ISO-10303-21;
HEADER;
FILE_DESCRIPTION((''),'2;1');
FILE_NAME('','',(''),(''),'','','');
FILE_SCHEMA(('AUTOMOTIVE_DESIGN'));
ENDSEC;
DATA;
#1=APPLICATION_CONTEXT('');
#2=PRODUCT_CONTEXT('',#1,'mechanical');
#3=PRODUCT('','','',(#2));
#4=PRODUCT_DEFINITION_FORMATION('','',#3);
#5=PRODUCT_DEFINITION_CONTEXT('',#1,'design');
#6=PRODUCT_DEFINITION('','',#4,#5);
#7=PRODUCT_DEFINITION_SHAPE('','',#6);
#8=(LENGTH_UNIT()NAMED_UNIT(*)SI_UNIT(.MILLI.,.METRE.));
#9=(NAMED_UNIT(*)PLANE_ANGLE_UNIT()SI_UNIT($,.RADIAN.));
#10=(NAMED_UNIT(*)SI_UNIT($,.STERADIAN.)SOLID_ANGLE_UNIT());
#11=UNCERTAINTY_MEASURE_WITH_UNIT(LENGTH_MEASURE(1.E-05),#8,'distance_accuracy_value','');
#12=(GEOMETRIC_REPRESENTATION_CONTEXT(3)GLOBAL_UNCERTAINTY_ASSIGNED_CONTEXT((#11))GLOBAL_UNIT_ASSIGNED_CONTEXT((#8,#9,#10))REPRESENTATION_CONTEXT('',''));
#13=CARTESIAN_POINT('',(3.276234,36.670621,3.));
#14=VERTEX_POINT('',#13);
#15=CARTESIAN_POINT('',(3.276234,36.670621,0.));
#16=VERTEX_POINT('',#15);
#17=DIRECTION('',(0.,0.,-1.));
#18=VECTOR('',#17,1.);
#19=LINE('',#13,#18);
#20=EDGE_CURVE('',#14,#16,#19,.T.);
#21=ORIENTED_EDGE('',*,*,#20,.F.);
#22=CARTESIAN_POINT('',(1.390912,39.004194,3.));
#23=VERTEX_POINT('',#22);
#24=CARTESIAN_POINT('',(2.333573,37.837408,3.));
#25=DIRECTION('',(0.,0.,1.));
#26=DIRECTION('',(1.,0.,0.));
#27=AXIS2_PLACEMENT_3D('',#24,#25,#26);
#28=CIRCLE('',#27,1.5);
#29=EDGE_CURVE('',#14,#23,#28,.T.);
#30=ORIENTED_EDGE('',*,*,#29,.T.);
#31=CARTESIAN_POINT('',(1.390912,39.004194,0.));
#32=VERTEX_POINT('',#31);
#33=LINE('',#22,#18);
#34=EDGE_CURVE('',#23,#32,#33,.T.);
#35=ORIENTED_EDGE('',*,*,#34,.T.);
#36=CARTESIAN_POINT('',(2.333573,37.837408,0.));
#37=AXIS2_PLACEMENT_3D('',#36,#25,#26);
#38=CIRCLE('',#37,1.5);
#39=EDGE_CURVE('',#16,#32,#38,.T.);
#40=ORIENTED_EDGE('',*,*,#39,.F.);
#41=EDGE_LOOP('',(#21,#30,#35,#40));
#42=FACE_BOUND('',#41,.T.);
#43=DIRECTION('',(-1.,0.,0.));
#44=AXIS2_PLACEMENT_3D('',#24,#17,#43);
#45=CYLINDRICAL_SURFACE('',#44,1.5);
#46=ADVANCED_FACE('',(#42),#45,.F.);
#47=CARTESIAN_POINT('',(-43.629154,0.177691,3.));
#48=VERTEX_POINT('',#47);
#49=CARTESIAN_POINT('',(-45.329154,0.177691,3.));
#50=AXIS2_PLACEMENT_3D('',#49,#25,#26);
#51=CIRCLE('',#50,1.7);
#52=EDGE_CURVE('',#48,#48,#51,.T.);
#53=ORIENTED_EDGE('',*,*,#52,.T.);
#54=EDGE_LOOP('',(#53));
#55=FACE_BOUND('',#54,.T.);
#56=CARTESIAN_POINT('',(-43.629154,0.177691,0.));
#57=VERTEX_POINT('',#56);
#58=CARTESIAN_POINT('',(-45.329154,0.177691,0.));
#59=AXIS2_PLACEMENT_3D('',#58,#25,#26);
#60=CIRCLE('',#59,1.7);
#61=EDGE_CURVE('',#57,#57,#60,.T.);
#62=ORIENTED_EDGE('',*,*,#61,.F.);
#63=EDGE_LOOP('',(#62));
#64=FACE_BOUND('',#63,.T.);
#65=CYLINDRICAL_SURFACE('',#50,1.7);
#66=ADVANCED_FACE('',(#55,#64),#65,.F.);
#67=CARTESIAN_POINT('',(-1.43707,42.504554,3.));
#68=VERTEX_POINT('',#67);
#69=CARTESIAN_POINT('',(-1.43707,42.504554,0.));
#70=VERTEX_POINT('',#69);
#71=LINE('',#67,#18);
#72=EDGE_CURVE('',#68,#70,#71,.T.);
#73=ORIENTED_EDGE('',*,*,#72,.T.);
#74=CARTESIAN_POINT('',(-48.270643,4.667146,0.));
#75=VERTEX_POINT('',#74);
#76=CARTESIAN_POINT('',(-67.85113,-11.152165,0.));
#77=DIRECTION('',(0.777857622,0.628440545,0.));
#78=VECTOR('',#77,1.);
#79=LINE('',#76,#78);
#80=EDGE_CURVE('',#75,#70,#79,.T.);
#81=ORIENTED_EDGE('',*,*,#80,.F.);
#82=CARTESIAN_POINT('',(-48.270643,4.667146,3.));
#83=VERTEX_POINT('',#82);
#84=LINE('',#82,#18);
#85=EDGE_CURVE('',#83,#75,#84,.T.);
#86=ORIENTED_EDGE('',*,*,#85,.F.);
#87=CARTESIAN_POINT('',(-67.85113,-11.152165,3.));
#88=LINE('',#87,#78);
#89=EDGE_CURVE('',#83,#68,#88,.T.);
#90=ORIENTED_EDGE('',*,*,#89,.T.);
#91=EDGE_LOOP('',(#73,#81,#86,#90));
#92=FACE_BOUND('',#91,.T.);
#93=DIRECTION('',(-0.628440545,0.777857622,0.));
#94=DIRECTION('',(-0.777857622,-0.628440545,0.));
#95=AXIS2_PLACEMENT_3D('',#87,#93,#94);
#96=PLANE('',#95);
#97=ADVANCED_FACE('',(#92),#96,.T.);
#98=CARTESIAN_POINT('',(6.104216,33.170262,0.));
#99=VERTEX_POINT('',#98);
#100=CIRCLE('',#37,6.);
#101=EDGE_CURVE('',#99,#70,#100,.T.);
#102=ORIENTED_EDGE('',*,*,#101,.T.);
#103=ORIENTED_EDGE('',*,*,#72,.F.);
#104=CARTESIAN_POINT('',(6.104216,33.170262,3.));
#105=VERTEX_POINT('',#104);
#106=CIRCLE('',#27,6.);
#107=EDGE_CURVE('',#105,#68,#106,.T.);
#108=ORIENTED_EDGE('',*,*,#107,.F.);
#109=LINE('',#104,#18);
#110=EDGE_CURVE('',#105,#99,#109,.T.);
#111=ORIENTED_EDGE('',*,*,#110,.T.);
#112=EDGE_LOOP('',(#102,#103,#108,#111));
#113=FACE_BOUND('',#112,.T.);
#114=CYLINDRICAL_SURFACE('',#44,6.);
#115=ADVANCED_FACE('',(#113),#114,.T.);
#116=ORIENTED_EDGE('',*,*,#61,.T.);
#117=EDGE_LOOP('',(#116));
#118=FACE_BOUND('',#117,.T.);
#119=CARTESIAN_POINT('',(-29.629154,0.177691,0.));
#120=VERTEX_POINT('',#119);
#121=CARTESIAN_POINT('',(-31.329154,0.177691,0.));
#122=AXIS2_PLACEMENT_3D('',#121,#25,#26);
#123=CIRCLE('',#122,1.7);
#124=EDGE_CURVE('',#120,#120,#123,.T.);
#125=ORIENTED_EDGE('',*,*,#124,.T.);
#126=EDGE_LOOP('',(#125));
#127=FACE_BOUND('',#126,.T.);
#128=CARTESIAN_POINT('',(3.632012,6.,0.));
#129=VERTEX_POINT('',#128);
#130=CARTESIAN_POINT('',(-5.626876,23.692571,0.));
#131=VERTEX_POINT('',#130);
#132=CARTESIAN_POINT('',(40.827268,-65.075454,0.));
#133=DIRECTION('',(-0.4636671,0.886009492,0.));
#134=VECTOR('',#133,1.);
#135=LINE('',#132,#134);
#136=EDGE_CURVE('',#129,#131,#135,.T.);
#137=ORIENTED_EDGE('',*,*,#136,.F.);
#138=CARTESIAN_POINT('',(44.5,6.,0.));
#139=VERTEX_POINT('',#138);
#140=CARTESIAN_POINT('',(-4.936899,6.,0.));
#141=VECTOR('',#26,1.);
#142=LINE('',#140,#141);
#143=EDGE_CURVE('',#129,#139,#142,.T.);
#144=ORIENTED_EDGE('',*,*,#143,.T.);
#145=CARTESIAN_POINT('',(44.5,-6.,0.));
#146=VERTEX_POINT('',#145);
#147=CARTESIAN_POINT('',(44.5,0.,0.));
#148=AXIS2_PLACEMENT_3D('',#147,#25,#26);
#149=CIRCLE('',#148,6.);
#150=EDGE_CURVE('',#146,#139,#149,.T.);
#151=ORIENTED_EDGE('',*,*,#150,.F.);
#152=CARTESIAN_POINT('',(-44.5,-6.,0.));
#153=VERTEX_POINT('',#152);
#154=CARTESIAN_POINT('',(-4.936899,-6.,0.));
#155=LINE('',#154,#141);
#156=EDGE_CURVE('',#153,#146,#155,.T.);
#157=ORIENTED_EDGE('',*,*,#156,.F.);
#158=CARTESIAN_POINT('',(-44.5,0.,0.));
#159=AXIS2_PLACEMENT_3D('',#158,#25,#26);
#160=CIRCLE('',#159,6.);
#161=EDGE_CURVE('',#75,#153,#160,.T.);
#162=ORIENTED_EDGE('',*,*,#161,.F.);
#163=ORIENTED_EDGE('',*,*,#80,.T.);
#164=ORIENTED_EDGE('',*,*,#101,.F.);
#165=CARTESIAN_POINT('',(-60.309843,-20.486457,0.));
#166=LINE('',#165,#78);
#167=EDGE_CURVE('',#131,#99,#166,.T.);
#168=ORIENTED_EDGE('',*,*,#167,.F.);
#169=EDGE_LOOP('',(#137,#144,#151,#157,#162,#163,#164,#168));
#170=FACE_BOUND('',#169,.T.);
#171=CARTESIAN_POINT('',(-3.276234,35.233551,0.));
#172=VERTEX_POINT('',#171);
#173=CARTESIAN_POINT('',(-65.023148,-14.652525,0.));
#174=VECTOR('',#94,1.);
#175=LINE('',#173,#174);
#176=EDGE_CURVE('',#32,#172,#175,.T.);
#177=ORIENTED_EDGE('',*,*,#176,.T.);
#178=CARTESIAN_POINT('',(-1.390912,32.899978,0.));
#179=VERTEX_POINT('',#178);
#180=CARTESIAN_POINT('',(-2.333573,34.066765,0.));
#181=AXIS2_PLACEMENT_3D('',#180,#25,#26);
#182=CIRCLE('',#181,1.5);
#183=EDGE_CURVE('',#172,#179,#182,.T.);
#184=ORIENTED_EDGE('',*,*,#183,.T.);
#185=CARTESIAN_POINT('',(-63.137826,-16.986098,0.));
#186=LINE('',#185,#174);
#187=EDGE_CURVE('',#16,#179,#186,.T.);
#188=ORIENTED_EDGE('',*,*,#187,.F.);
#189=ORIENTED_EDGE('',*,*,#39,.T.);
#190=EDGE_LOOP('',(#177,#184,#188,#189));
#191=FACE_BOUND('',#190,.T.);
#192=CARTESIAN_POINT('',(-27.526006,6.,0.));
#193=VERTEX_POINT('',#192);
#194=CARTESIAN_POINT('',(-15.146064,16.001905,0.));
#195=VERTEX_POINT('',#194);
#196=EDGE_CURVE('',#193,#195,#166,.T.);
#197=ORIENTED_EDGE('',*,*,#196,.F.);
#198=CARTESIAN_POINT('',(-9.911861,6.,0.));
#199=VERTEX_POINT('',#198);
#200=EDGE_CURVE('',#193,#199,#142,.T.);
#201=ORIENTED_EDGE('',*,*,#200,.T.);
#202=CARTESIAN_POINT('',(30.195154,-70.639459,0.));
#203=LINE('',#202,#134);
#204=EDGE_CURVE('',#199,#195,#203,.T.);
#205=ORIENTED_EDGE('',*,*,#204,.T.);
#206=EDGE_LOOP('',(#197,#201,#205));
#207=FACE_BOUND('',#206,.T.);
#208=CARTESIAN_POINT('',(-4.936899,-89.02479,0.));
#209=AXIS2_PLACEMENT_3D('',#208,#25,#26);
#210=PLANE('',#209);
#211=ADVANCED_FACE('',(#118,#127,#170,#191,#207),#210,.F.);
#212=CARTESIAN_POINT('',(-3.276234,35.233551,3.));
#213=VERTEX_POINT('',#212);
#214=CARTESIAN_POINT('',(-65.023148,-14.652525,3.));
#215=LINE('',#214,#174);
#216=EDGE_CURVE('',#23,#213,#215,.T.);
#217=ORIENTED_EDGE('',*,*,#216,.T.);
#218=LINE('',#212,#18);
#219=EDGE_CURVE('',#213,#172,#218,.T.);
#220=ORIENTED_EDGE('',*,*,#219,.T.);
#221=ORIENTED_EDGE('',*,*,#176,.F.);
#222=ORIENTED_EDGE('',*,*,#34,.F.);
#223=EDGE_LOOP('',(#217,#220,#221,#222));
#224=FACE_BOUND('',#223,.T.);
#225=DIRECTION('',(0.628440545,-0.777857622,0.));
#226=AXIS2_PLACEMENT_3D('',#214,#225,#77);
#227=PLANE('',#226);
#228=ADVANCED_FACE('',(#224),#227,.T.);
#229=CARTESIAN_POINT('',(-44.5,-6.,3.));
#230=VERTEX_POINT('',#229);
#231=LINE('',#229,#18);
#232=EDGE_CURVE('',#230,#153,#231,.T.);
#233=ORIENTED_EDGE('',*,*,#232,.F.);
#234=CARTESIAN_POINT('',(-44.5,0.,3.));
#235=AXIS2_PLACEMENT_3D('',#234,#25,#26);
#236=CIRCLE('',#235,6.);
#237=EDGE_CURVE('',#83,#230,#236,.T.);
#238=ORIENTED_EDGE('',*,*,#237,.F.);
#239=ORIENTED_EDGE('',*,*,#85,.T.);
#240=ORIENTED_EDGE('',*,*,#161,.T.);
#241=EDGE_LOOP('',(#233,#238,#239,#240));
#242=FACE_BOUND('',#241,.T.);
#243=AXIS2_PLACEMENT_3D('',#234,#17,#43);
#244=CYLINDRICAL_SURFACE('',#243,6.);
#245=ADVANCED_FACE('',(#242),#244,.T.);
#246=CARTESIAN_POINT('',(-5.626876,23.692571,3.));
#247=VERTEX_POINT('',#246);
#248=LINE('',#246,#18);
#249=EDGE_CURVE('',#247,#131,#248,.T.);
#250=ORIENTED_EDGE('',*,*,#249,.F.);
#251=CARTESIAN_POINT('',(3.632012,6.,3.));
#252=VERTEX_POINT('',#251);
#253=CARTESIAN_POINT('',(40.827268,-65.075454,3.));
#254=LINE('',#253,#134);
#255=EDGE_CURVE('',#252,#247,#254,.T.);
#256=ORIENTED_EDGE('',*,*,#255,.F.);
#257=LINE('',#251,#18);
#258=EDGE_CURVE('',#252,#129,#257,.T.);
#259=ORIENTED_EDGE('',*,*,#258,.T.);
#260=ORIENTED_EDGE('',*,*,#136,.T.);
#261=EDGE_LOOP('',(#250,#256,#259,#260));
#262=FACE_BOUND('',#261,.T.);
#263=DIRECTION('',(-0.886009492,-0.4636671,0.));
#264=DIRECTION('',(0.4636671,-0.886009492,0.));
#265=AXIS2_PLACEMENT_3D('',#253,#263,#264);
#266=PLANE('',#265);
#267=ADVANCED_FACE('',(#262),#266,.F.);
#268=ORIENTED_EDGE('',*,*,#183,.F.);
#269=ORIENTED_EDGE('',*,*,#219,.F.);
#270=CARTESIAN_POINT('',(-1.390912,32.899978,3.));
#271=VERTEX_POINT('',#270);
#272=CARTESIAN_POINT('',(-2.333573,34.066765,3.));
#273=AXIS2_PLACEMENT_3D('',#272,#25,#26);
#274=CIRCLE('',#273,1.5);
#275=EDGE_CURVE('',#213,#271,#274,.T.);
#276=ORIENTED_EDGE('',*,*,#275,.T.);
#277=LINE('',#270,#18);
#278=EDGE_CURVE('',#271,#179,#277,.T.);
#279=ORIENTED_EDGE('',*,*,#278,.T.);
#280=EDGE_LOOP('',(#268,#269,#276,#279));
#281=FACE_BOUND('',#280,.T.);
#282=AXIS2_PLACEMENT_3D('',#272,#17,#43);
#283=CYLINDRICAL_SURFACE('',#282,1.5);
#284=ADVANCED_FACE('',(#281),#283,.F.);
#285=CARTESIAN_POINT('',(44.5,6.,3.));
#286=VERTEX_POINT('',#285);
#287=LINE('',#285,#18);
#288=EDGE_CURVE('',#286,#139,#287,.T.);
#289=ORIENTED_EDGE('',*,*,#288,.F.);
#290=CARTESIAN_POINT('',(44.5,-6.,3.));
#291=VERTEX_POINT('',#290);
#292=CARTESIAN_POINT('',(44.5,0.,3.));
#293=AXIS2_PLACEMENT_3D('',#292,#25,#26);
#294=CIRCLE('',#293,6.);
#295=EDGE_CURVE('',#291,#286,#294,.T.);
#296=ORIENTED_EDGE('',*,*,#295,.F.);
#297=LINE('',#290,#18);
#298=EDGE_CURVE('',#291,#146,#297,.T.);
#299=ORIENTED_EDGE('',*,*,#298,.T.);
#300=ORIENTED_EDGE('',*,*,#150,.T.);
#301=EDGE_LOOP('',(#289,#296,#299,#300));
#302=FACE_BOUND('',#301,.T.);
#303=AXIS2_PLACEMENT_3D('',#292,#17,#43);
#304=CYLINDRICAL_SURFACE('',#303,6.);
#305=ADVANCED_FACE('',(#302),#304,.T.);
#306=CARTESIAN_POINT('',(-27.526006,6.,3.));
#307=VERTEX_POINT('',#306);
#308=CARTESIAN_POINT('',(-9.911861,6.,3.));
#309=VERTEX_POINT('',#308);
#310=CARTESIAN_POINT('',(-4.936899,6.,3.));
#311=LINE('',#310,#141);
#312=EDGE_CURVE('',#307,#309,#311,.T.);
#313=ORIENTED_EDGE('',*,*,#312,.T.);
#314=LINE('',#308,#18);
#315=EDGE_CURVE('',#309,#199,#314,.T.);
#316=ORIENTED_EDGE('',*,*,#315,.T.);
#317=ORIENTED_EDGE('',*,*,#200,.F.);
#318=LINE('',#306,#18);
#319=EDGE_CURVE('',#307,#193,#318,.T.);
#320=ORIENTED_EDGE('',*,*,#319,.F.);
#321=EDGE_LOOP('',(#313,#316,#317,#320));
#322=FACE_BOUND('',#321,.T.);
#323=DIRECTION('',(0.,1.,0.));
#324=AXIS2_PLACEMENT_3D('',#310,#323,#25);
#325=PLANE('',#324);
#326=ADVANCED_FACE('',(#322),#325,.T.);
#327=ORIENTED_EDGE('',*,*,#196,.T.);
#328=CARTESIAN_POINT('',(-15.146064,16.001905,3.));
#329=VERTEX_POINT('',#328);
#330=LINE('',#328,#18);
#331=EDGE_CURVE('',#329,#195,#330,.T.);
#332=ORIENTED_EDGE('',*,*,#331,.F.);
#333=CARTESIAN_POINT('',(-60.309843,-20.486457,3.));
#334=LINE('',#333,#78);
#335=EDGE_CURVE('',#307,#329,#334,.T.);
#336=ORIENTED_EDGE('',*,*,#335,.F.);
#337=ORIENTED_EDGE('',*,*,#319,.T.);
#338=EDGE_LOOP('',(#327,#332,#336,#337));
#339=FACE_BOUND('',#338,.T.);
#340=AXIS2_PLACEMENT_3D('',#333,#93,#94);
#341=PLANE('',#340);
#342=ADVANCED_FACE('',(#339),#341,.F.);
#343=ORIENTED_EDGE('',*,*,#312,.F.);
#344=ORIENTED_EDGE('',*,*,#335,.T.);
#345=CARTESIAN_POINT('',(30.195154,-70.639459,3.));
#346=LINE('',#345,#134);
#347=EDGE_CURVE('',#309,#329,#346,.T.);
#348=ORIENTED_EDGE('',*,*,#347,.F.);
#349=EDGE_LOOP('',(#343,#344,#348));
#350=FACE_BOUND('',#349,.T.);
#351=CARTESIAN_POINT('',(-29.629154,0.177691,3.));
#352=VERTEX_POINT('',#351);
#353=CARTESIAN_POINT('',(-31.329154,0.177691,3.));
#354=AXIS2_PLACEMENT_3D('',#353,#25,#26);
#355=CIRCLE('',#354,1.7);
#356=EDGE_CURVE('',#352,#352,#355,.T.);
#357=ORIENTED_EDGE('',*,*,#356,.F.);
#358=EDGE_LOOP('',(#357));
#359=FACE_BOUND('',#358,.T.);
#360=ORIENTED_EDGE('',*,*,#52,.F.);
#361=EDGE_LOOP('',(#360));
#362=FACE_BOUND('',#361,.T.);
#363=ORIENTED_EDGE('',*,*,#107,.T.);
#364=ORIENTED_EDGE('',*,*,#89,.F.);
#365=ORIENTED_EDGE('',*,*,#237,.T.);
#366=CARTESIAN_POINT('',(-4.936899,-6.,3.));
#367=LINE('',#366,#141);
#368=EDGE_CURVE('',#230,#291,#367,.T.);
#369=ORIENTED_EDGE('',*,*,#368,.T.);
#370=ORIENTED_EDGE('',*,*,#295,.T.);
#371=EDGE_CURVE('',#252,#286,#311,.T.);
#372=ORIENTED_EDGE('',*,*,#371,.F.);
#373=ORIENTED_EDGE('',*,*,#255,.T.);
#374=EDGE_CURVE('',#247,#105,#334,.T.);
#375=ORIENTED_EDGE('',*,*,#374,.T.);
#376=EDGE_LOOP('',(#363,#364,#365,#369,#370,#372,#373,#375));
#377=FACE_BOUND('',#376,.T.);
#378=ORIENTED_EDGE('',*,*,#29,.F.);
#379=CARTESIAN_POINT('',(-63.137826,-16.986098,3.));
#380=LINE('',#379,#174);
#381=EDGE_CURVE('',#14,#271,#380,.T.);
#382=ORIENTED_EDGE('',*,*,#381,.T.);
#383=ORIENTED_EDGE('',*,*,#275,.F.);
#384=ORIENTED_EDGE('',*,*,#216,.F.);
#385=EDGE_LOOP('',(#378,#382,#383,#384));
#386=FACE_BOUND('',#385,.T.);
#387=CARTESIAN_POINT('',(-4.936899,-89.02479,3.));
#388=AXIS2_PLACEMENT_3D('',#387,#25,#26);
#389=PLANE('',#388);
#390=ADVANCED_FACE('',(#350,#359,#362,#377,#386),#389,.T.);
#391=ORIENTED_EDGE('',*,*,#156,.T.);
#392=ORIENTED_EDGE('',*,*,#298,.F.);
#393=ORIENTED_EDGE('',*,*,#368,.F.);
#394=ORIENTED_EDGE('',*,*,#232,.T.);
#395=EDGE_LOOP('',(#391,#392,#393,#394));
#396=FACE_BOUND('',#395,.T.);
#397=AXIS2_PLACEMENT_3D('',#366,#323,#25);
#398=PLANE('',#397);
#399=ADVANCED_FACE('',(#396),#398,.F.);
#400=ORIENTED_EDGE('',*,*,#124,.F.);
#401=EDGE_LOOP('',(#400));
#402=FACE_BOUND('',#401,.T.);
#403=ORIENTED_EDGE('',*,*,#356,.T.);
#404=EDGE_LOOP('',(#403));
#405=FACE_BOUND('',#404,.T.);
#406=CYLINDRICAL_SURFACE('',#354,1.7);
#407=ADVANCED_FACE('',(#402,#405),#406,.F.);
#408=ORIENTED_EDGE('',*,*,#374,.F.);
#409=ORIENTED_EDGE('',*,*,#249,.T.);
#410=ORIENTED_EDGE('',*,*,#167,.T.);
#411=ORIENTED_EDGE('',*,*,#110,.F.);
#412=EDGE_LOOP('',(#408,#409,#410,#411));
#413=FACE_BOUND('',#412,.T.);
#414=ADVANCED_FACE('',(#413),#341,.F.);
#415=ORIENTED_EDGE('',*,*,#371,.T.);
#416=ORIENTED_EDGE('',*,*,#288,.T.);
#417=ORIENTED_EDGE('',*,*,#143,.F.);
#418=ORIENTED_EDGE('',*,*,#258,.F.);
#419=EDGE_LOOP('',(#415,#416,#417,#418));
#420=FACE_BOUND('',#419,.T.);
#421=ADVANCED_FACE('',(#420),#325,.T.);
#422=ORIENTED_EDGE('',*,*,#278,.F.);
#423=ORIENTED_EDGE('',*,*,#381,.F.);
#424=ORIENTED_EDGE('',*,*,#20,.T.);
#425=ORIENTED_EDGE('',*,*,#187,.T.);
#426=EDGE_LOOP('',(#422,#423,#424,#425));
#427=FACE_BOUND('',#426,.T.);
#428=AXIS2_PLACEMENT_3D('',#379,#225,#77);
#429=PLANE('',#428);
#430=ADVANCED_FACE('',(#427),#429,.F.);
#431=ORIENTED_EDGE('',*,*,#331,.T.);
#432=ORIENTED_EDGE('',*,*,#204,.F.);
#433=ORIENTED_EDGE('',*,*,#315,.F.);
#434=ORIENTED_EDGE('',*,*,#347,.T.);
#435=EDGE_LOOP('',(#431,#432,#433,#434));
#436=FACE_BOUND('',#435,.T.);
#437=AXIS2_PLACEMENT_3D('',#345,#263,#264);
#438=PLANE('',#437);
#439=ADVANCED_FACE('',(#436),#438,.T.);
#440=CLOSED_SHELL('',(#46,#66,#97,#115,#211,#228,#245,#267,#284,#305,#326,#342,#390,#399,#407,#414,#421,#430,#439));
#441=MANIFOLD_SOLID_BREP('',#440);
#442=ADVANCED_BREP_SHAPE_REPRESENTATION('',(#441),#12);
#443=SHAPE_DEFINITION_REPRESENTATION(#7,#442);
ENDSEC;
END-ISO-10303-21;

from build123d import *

# Parameters (mm, degrees)
BOSS_EXTRU_1_DEPTH   = 3
D_GAGEMENT_M31_D     = 3.4
D_GAGEMENT_M31_DEPTH = 10
D_GAGEMENT_M31_TIP   = 1.021463052


with BuildPart() as part:
    # Esquisse1 → Boss.-Extru.1 (new body)
    with BuildSketch(Plane.XY):
        with BuildLine():
            Line((-5.626876244, 23.692571189), (6.10421614, 33.170262072))
            ThreePointArc((6.10421614, 33.170262072), (7.000718602, 41.608051079), (-1.437070405, 42.504553542))
            Line((-1.437070405, 42.504553542), (-48.270643273, 4.667145735))
            ThreePointArc((-48.270643273, 4.667145735), (-50.15698128, -1.999640667), (-44.5, -6))
            Line((-44.5, -6), (44.5, -6))
            ThreePointArc((44.5, -6), (50.5, 0), (44.5, 6))
            Line((44.5, 6), (3.632012331, 6))
            Line((3.632012331, 6), (-5.626876244, 23.692571189))
        make_face()
        Polygon((-9.91186062, 6), (-15.146064211, 16.001904537), (-27.526006497, 6), align=None, mode=Mode.SUBTRACT)
        with BuildLine():
            ThreePointArc((-3.276233686, 35.233550968), (-3.500359301, 33.124103716), (-1.390912049, 32.8999781))
            Line((-1.390912049, 32.8999781), (3.276233686, 36.670621373))
            ThreePointArc((3.276233686, 36.670621373), (3.500359301, 38.780068625), (1.390912049, 39.00419424))
            Line((1.390912049, 39.00419424), (-3.276233686, 35.233550968))
        make_face(mode=Mode.SUBTRACT)
    extrude(amount=BOSS_EXTRU_1_DEPTH)

    # Dégagement M31
    with Locations(Plane.XY.offset(3)):
        with Locations((-45.329154162, 0.177691477), (-31.329154162, 0.177691477)):
            Hole(D_GAGEMENT_M31_D / 2, depth=D_GAGEMENT_M31_DEPTH)
            with Locations((0, 0, -(D_GAGEMENT_M31_DEPTH + D_GAGEMENT_M31_TIP / 2))):  # 118° drill point
                Cone(0, D_GAGEMENT_M31_D / 2, D_GAGEMENT_M31_TIP, mode=Mode.SUBTRACT)


solid = part.part
